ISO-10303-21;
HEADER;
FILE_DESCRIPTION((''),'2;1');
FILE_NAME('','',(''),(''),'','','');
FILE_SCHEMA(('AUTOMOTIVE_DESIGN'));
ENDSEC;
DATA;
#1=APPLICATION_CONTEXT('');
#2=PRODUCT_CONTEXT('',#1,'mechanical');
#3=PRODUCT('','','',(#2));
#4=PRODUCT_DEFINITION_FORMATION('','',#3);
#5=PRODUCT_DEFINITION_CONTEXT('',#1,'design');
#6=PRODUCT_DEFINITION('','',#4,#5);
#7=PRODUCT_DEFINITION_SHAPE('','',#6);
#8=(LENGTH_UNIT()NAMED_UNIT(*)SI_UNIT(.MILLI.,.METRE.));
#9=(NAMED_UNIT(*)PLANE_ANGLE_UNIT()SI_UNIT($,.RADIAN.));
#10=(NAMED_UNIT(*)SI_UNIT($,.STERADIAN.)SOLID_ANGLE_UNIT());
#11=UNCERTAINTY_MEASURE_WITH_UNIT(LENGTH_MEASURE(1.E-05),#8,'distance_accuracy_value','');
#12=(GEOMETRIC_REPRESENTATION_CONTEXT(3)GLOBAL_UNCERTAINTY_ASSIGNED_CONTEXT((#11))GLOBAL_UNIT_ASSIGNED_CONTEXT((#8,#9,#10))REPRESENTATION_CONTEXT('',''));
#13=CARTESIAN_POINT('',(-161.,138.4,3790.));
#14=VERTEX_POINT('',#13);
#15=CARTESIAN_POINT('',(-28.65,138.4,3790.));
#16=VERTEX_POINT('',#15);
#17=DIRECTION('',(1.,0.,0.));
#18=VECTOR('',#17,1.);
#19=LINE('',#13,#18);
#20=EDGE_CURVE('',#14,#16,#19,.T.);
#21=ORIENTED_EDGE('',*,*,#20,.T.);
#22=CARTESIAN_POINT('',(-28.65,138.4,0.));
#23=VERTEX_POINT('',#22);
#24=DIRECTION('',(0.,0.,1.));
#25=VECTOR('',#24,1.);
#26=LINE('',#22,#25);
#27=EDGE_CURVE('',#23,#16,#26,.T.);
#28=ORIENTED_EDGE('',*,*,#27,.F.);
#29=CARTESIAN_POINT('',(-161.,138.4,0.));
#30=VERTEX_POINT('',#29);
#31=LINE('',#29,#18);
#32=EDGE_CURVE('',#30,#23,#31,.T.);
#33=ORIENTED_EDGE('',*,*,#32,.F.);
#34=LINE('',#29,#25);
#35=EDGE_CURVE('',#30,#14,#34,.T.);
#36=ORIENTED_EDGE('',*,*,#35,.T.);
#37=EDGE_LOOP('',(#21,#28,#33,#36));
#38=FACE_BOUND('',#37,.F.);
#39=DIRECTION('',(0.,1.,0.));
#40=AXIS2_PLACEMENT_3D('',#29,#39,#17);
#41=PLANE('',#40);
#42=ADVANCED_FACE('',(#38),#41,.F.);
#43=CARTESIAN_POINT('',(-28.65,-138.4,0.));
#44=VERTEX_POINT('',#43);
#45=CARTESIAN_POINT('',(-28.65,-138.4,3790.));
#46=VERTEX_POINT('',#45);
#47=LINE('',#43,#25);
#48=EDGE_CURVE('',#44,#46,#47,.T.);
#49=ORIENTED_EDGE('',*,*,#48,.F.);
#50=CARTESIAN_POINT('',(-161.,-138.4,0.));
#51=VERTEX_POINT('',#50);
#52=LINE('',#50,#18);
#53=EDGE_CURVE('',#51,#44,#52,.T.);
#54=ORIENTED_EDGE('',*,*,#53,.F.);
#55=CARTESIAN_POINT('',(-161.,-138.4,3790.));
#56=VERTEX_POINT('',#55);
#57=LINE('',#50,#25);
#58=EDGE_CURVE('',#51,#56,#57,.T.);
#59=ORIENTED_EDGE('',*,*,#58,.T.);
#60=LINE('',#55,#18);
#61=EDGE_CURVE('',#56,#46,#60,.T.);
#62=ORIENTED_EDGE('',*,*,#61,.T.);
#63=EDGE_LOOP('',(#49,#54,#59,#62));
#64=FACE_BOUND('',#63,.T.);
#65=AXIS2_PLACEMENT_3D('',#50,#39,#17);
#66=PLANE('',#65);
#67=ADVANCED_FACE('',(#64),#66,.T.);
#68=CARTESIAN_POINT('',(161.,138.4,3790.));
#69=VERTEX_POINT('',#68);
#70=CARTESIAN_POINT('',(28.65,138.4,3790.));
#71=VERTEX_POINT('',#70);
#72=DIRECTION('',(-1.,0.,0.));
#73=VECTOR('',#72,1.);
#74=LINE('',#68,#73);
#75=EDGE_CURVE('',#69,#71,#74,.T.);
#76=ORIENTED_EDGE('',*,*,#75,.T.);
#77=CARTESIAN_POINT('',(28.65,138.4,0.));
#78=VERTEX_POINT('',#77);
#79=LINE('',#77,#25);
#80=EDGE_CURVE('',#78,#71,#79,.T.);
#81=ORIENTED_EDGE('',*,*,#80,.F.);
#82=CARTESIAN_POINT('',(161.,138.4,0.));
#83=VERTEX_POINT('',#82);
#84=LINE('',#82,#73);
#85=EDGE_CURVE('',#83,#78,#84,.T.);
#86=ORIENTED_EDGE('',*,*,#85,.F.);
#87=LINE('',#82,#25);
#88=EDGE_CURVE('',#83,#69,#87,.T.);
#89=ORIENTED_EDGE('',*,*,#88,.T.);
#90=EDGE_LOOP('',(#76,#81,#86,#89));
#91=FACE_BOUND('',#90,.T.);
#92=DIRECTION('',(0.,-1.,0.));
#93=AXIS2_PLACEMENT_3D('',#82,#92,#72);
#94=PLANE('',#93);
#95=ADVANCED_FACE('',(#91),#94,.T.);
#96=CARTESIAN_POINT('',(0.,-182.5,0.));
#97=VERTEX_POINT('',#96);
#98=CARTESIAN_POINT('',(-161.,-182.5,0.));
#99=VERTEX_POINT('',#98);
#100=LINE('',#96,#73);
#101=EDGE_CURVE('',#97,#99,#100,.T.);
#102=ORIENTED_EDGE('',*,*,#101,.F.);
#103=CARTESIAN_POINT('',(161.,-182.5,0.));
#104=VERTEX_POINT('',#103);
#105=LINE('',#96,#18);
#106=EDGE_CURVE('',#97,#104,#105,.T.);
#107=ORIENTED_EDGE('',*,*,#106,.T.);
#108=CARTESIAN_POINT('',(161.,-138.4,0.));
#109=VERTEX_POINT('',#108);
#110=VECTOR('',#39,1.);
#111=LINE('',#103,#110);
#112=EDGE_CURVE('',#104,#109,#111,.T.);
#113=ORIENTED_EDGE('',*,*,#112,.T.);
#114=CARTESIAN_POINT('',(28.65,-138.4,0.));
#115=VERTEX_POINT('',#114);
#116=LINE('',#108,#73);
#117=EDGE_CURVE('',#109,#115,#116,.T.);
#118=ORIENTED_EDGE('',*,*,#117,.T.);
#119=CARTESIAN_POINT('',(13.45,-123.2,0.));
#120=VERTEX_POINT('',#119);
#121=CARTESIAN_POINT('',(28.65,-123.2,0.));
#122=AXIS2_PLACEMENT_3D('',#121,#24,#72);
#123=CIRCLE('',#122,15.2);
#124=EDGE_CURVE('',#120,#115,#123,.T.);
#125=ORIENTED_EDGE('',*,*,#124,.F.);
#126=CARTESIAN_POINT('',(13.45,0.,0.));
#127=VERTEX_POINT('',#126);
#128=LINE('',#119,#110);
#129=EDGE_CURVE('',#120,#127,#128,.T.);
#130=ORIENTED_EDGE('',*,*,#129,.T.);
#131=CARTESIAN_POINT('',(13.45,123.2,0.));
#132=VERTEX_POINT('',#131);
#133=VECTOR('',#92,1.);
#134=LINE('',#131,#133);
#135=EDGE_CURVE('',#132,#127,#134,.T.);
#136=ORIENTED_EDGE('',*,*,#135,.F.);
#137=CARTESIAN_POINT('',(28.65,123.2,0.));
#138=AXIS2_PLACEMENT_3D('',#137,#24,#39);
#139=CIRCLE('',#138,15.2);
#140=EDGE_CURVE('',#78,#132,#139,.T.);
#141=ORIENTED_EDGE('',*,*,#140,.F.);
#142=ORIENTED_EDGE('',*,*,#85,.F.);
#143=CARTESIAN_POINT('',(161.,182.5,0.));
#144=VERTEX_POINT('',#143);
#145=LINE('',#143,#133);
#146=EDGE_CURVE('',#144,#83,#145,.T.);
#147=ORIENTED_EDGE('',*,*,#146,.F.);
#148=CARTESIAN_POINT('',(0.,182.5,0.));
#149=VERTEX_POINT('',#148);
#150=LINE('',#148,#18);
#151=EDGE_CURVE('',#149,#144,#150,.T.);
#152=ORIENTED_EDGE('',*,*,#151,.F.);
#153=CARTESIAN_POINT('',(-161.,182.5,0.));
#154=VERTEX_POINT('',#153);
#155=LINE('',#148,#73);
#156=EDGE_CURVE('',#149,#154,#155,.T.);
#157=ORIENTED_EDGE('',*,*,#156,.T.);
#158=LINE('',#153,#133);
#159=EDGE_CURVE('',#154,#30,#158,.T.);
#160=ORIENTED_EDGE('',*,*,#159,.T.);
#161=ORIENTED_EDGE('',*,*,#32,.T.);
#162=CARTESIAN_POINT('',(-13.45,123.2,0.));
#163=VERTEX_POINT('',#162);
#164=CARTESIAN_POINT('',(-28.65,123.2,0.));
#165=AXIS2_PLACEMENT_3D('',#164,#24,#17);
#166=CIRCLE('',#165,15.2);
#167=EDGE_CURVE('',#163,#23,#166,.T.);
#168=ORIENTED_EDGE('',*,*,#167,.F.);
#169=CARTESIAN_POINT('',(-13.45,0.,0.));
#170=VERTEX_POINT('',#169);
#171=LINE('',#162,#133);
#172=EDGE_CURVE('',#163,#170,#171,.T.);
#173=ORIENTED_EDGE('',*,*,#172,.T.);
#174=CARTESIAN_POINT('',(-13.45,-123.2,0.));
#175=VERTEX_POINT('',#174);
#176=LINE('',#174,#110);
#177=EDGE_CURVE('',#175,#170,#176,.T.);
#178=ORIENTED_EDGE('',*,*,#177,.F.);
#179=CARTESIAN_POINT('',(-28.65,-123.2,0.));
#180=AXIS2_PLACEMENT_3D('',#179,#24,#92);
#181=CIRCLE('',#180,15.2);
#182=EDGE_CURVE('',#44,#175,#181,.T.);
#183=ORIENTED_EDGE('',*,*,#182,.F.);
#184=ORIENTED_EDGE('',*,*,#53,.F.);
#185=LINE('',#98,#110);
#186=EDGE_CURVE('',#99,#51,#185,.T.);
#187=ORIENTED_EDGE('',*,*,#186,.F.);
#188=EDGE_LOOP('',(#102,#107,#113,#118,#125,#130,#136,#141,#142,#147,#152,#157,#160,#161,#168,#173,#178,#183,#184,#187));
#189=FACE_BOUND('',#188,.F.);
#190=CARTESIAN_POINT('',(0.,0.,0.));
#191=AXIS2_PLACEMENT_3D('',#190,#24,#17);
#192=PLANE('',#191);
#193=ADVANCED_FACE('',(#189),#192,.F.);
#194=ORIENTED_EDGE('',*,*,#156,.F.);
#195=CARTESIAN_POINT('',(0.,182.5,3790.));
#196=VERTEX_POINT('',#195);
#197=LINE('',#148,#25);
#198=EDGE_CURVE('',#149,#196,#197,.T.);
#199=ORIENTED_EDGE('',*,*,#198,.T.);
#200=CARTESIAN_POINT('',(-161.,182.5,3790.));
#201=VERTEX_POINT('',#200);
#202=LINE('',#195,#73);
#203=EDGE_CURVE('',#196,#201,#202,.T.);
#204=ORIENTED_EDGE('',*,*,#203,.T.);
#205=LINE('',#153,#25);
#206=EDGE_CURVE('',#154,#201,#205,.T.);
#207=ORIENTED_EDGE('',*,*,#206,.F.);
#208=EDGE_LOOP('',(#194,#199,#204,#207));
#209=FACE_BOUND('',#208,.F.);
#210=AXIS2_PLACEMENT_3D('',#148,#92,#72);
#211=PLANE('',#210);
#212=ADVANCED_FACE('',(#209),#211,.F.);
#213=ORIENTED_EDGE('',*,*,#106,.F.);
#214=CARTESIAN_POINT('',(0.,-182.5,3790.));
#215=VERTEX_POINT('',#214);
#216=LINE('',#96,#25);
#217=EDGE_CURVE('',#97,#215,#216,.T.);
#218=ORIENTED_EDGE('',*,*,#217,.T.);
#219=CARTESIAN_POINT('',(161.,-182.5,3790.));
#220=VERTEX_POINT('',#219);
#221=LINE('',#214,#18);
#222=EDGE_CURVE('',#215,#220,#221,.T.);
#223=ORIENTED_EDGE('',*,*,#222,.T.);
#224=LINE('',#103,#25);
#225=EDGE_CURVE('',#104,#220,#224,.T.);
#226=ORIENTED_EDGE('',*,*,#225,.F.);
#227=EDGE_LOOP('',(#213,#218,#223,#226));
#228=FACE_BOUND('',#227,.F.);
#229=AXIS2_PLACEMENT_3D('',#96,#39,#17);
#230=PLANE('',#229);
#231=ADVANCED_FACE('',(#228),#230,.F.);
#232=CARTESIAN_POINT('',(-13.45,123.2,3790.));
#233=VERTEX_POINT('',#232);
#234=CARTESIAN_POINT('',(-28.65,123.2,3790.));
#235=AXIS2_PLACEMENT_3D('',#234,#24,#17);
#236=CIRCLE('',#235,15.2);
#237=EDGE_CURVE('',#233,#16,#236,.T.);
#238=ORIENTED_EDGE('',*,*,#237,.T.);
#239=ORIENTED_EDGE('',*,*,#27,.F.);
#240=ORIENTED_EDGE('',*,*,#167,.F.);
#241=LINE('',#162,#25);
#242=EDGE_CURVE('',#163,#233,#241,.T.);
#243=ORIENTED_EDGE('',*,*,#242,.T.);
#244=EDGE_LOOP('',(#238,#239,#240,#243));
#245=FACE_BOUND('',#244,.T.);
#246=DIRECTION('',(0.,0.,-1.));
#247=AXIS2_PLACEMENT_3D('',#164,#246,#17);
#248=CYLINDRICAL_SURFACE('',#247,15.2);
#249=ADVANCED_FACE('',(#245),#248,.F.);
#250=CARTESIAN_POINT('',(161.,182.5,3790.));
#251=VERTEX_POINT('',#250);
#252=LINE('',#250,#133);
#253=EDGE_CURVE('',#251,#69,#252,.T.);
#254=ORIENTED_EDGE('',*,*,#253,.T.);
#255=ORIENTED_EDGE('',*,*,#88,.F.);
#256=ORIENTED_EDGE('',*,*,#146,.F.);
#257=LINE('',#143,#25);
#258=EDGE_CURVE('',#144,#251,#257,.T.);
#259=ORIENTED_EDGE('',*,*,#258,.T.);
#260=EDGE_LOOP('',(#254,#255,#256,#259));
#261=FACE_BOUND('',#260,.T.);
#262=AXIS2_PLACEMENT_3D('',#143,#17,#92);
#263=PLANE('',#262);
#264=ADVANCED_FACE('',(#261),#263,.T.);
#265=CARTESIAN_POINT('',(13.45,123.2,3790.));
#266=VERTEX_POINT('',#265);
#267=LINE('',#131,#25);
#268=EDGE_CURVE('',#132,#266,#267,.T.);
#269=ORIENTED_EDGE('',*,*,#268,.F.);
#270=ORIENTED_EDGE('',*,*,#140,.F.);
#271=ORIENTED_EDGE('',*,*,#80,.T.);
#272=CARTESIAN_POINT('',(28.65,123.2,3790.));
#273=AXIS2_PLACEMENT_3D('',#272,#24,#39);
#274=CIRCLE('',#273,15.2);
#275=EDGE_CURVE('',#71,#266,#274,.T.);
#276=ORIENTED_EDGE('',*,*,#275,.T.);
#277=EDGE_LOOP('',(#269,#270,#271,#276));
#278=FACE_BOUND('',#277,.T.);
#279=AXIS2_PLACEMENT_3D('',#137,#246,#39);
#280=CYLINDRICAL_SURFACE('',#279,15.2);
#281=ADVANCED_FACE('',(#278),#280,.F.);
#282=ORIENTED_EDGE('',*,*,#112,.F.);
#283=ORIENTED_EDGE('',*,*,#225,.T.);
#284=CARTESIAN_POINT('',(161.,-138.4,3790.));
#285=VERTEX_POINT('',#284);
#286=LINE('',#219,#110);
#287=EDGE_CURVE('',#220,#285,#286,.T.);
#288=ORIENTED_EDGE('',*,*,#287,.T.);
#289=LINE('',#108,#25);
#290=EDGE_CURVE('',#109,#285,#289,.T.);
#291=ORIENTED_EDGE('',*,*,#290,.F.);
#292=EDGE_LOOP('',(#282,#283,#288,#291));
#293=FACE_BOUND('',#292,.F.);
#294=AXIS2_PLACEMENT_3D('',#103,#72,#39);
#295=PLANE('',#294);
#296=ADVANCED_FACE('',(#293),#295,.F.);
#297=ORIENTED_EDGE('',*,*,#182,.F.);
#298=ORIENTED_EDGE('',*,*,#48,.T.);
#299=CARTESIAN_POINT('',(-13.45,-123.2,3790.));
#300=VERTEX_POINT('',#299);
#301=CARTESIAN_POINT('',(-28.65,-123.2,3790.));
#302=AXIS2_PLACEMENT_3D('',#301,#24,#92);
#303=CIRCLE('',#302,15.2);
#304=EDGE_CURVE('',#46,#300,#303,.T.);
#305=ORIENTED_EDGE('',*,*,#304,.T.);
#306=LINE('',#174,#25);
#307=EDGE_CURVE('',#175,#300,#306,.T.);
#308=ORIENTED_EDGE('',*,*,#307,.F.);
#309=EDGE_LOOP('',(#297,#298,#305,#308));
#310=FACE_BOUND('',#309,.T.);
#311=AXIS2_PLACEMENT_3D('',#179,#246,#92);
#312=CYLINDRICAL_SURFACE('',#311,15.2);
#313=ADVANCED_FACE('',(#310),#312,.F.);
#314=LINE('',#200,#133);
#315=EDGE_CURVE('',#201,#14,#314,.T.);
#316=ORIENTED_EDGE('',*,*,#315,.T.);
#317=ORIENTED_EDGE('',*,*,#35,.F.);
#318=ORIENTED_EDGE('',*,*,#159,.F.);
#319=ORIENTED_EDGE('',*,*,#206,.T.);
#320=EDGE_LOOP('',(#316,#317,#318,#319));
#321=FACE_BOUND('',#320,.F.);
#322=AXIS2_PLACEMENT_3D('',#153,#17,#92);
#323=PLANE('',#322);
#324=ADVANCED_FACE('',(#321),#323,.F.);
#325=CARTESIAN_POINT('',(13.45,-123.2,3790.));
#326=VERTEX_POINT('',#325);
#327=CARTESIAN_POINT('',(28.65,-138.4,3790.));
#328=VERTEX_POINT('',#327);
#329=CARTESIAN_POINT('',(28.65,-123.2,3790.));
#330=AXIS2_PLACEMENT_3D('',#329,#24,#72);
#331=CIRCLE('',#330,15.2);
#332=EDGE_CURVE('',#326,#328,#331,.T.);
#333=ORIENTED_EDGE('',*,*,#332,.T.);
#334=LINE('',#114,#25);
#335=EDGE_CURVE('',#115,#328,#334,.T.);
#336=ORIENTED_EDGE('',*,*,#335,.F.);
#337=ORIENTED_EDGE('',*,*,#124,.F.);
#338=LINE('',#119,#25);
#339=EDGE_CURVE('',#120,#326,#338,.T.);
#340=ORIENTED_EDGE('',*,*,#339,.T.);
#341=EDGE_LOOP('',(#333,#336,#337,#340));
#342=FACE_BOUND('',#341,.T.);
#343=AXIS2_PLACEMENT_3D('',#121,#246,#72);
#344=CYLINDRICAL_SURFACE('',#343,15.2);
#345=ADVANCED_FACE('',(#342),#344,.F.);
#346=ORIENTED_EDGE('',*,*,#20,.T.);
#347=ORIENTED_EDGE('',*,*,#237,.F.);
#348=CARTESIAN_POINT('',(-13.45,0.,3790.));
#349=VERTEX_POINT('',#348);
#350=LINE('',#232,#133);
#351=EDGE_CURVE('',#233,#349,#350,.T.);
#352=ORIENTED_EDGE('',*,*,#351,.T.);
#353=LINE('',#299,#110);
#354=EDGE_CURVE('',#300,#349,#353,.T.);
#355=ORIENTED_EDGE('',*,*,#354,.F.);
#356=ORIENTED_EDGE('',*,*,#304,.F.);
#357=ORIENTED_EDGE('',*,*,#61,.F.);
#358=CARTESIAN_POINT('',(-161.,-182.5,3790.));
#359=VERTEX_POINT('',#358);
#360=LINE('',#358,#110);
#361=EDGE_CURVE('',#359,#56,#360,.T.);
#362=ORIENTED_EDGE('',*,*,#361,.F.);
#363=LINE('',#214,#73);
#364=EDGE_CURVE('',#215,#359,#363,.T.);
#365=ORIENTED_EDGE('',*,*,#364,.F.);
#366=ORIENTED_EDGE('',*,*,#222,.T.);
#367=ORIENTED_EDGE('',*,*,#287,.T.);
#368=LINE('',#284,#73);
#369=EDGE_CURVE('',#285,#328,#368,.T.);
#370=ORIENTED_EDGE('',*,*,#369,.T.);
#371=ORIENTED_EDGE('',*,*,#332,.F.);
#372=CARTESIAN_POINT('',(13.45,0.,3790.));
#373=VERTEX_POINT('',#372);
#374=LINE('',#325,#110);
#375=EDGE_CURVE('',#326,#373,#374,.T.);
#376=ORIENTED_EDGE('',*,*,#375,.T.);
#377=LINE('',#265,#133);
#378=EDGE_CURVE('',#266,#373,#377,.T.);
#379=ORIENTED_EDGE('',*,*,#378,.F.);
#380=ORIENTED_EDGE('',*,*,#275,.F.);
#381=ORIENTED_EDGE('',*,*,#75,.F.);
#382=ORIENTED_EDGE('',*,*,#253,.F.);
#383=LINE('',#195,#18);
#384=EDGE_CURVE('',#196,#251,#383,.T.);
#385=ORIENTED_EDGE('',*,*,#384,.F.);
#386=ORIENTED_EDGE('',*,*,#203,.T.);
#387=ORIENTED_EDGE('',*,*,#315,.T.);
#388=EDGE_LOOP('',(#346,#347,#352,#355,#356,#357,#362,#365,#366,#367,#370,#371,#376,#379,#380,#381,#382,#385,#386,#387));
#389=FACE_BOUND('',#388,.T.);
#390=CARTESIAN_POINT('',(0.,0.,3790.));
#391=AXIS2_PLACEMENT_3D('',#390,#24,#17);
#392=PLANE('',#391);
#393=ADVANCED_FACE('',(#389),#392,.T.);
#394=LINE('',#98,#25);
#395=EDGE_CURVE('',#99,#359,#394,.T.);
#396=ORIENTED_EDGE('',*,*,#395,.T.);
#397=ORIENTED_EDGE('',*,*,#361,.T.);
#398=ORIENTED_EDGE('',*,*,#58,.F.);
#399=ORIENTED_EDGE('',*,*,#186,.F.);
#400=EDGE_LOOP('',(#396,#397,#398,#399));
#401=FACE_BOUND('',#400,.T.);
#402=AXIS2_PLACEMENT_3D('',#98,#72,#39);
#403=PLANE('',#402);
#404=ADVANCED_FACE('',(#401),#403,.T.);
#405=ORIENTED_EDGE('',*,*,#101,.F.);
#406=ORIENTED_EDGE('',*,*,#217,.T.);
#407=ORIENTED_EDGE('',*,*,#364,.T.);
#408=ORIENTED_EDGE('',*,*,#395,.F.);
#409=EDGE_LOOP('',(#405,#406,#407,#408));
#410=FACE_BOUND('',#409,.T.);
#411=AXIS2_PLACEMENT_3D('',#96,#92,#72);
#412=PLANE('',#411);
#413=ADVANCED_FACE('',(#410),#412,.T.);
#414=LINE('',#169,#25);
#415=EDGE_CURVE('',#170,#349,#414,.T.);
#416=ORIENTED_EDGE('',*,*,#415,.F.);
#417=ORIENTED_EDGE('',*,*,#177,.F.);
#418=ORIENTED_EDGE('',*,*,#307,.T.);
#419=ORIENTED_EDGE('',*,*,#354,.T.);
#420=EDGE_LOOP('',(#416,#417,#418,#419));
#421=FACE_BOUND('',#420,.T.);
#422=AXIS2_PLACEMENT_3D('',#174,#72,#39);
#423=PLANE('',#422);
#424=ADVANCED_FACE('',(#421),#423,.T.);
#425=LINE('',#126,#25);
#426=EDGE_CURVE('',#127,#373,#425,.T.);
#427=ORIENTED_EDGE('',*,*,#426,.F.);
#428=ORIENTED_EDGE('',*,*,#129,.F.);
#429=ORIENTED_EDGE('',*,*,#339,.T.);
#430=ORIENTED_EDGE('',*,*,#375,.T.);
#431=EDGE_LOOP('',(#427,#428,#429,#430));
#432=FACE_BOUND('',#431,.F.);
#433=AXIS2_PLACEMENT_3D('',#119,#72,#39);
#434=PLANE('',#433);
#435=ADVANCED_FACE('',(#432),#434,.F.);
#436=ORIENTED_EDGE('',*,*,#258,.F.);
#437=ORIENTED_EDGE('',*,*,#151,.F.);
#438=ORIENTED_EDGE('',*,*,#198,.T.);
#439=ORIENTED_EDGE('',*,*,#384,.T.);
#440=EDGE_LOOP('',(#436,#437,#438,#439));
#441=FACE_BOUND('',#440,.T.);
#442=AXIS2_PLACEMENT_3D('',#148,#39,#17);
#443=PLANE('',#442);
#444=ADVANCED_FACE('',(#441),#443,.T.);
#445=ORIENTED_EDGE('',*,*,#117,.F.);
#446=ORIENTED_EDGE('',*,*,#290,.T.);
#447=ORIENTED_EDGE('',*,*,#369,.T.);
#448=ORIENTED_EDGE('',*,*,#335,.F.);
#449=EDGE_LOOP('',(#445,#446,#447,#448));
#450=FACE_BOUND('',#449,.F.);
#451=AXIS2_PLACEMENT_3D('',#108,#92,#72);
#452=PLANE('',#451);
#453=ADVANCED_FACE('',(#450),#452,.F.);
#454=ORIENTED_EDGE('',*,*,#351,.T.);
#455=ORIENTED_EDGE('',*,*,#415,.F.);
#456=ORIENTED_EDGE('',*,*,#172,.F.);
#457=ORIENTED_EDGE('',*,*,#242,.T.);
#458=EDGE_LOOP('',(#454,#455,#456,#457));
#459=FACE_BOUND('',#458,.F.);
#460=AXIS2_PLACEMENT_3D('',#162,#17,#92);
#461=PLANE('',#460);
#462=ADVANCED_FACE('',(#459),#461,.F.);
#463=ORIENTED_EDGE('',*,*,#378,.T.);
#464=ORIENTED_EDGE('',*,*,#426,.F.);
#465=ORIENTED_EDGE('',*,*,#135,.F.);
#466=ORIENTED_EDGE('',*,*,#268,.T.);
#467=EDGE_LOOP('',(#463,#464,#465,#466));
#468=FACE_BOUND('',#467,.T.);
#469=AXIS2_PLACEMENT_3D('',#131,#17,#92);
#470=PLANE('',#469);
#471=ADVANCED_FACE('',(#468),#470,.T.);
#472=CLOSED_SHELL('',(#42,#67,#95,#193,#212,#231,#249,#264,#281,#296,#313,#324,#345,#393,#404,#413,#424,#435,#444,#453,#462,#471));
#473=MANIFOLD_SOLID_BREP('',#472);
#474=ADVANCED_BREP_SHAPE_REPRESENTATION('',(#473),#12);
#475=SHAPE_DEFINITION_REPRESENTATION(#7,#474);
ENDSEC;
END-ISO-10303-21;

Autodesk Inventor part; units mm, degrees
ref_plane "YZ Plane" through (0, 0, 0) normal (1, 0, 0) x (0, 1, 0)
ref_plane "Start plane" through (0, 0, 0) normal (0, 0, 1) x (1, 0, 0)
ref_plane "End plane" through (0, 0, 3790) normal (0, 0, 1) x (1, 0, 0)
sketch "Sketch" plane through (0, 0, 0) normal (0, 0, 1) x (1, 0, 0)
  line L0 (-161, -182.5) -> (-161, -138.4)
  line L1 (-161, -138.4) -> (-28.65, -138.4)
  line L2 (-13.45, -123.2) -> (-13.45, 0)
  line L3 (-13.45, 0) -> (0, 0) construction
  line L4 (0, 0) -> (0, -182.5) construction
  line L5 (0, -182.5) -> (-161, -182.5)
  line L6 (-60, 0) -> (80, 0) construction
  line L7 (0, -60) -> (0, 80) construction
  line L8 (161, -182.5) -> (161, -138.4)
  line L9 (161, -138.4) -> (28.65, -138.4)
  line L10 (13.45, -123.2) -> (13.45, 0)
  line L11 (13.45, 0) -> (0, 0) construction
  line L12 (0, -182.5) -> (161, -182.5)
  line L13 (-161, 182.5) -> (-161, 138.4)
  line L14 (-161, 138.4) -> (-28.65, 138.4)
  line L15 (-13.45, 123.2) -> (-13.45, 0)
  line L16 (0, 182.5) -> (-161, 182.5)
  line L17 (161, 182.5) -> (161, 138.4)
  line L18 (161, 138.4) -> (28.65, 138.4)
  line L19 (0, 182.5) -> (161, 182.5)
  line L20 (13.45, 123.2) -> (13.45, 0)
  arc A0 (-13.45, 123.2) -> (-28.65, 138.4) centre (-28.65, 123.2) ccw
  arc A1 (28.65, 138.4) -> (13.45, 123.2) centre (28.65, 123.2) ccw
  arc A2 (13.45, -123.2) -> (28.65, -138.4) centre (28.65, -123.2) ccw
  arc A3 (-28.65, -138.4) -> (-13.45, -123.2) centre (-28.65, -123.2) ccw
  line L21 (0, 108) -> (0, -88) construction
  line L22 (-88, 0) -> (108, 0) construction
  point P0 (-13.45, -138.4)
  point P1 (13.45, -138.4)
  point P2 (-13.45, 138.4)
  point P3 (13.45, 138.4)
  dimension "d1" = 182.5
  dimension "d2" = 44.1
  dimension "d3" = 161
  dimension "d4" = 13.45
  dimension "d10" = 15.2
extrude "Body" add sketch "Sketch" along normal up to surface (3790 mm away) from surface at 0
sketch "Sketch4" plane through (0, 0, 0) normal (0, 0, 1) x (1, 0, 0)
  line L0 (0, 0) -> (10, 0)
ref_plane "Work Plane3" through (0, 0, 0) normal (0, -1, 0) x (1, 0, 0)
sketch "Sketch5" plane through (0, 0, 0) normal (0, -1, 0) x (1, 0, 0)
  line L0 (-2, 0) -> (12, 0) projected
  line L1 (-2, 3790) -> (12, 3790) projected
  dimension "d14" = 3790
equation "\"d1\" = 0.5 * G_H"
equation "\"d2\" = G_T1"
equation "\"d3\" = 0.5 * G_W"
equation "\"d4\" = 0.5 * G_T"
equation "\"d10\" = G_IR"
equation "\"d5\" = G_L"
equation "\"G_W\" = 322"
equation "\"G_H\" = 365"
equation "\"G_T\" = 26.9"
equation "\"G_T1\" = 44.1"
equation "\"G_IR\" = 15.2"
equation "\"G_L\" = d14"
equation "\"G_OFFSET_START\" = 0"
equation "\"G_OFFSET_END\" = 0"
properties part number "AS 3679 - 310 UC - 283 - 3790" material "Steel, Mild"
